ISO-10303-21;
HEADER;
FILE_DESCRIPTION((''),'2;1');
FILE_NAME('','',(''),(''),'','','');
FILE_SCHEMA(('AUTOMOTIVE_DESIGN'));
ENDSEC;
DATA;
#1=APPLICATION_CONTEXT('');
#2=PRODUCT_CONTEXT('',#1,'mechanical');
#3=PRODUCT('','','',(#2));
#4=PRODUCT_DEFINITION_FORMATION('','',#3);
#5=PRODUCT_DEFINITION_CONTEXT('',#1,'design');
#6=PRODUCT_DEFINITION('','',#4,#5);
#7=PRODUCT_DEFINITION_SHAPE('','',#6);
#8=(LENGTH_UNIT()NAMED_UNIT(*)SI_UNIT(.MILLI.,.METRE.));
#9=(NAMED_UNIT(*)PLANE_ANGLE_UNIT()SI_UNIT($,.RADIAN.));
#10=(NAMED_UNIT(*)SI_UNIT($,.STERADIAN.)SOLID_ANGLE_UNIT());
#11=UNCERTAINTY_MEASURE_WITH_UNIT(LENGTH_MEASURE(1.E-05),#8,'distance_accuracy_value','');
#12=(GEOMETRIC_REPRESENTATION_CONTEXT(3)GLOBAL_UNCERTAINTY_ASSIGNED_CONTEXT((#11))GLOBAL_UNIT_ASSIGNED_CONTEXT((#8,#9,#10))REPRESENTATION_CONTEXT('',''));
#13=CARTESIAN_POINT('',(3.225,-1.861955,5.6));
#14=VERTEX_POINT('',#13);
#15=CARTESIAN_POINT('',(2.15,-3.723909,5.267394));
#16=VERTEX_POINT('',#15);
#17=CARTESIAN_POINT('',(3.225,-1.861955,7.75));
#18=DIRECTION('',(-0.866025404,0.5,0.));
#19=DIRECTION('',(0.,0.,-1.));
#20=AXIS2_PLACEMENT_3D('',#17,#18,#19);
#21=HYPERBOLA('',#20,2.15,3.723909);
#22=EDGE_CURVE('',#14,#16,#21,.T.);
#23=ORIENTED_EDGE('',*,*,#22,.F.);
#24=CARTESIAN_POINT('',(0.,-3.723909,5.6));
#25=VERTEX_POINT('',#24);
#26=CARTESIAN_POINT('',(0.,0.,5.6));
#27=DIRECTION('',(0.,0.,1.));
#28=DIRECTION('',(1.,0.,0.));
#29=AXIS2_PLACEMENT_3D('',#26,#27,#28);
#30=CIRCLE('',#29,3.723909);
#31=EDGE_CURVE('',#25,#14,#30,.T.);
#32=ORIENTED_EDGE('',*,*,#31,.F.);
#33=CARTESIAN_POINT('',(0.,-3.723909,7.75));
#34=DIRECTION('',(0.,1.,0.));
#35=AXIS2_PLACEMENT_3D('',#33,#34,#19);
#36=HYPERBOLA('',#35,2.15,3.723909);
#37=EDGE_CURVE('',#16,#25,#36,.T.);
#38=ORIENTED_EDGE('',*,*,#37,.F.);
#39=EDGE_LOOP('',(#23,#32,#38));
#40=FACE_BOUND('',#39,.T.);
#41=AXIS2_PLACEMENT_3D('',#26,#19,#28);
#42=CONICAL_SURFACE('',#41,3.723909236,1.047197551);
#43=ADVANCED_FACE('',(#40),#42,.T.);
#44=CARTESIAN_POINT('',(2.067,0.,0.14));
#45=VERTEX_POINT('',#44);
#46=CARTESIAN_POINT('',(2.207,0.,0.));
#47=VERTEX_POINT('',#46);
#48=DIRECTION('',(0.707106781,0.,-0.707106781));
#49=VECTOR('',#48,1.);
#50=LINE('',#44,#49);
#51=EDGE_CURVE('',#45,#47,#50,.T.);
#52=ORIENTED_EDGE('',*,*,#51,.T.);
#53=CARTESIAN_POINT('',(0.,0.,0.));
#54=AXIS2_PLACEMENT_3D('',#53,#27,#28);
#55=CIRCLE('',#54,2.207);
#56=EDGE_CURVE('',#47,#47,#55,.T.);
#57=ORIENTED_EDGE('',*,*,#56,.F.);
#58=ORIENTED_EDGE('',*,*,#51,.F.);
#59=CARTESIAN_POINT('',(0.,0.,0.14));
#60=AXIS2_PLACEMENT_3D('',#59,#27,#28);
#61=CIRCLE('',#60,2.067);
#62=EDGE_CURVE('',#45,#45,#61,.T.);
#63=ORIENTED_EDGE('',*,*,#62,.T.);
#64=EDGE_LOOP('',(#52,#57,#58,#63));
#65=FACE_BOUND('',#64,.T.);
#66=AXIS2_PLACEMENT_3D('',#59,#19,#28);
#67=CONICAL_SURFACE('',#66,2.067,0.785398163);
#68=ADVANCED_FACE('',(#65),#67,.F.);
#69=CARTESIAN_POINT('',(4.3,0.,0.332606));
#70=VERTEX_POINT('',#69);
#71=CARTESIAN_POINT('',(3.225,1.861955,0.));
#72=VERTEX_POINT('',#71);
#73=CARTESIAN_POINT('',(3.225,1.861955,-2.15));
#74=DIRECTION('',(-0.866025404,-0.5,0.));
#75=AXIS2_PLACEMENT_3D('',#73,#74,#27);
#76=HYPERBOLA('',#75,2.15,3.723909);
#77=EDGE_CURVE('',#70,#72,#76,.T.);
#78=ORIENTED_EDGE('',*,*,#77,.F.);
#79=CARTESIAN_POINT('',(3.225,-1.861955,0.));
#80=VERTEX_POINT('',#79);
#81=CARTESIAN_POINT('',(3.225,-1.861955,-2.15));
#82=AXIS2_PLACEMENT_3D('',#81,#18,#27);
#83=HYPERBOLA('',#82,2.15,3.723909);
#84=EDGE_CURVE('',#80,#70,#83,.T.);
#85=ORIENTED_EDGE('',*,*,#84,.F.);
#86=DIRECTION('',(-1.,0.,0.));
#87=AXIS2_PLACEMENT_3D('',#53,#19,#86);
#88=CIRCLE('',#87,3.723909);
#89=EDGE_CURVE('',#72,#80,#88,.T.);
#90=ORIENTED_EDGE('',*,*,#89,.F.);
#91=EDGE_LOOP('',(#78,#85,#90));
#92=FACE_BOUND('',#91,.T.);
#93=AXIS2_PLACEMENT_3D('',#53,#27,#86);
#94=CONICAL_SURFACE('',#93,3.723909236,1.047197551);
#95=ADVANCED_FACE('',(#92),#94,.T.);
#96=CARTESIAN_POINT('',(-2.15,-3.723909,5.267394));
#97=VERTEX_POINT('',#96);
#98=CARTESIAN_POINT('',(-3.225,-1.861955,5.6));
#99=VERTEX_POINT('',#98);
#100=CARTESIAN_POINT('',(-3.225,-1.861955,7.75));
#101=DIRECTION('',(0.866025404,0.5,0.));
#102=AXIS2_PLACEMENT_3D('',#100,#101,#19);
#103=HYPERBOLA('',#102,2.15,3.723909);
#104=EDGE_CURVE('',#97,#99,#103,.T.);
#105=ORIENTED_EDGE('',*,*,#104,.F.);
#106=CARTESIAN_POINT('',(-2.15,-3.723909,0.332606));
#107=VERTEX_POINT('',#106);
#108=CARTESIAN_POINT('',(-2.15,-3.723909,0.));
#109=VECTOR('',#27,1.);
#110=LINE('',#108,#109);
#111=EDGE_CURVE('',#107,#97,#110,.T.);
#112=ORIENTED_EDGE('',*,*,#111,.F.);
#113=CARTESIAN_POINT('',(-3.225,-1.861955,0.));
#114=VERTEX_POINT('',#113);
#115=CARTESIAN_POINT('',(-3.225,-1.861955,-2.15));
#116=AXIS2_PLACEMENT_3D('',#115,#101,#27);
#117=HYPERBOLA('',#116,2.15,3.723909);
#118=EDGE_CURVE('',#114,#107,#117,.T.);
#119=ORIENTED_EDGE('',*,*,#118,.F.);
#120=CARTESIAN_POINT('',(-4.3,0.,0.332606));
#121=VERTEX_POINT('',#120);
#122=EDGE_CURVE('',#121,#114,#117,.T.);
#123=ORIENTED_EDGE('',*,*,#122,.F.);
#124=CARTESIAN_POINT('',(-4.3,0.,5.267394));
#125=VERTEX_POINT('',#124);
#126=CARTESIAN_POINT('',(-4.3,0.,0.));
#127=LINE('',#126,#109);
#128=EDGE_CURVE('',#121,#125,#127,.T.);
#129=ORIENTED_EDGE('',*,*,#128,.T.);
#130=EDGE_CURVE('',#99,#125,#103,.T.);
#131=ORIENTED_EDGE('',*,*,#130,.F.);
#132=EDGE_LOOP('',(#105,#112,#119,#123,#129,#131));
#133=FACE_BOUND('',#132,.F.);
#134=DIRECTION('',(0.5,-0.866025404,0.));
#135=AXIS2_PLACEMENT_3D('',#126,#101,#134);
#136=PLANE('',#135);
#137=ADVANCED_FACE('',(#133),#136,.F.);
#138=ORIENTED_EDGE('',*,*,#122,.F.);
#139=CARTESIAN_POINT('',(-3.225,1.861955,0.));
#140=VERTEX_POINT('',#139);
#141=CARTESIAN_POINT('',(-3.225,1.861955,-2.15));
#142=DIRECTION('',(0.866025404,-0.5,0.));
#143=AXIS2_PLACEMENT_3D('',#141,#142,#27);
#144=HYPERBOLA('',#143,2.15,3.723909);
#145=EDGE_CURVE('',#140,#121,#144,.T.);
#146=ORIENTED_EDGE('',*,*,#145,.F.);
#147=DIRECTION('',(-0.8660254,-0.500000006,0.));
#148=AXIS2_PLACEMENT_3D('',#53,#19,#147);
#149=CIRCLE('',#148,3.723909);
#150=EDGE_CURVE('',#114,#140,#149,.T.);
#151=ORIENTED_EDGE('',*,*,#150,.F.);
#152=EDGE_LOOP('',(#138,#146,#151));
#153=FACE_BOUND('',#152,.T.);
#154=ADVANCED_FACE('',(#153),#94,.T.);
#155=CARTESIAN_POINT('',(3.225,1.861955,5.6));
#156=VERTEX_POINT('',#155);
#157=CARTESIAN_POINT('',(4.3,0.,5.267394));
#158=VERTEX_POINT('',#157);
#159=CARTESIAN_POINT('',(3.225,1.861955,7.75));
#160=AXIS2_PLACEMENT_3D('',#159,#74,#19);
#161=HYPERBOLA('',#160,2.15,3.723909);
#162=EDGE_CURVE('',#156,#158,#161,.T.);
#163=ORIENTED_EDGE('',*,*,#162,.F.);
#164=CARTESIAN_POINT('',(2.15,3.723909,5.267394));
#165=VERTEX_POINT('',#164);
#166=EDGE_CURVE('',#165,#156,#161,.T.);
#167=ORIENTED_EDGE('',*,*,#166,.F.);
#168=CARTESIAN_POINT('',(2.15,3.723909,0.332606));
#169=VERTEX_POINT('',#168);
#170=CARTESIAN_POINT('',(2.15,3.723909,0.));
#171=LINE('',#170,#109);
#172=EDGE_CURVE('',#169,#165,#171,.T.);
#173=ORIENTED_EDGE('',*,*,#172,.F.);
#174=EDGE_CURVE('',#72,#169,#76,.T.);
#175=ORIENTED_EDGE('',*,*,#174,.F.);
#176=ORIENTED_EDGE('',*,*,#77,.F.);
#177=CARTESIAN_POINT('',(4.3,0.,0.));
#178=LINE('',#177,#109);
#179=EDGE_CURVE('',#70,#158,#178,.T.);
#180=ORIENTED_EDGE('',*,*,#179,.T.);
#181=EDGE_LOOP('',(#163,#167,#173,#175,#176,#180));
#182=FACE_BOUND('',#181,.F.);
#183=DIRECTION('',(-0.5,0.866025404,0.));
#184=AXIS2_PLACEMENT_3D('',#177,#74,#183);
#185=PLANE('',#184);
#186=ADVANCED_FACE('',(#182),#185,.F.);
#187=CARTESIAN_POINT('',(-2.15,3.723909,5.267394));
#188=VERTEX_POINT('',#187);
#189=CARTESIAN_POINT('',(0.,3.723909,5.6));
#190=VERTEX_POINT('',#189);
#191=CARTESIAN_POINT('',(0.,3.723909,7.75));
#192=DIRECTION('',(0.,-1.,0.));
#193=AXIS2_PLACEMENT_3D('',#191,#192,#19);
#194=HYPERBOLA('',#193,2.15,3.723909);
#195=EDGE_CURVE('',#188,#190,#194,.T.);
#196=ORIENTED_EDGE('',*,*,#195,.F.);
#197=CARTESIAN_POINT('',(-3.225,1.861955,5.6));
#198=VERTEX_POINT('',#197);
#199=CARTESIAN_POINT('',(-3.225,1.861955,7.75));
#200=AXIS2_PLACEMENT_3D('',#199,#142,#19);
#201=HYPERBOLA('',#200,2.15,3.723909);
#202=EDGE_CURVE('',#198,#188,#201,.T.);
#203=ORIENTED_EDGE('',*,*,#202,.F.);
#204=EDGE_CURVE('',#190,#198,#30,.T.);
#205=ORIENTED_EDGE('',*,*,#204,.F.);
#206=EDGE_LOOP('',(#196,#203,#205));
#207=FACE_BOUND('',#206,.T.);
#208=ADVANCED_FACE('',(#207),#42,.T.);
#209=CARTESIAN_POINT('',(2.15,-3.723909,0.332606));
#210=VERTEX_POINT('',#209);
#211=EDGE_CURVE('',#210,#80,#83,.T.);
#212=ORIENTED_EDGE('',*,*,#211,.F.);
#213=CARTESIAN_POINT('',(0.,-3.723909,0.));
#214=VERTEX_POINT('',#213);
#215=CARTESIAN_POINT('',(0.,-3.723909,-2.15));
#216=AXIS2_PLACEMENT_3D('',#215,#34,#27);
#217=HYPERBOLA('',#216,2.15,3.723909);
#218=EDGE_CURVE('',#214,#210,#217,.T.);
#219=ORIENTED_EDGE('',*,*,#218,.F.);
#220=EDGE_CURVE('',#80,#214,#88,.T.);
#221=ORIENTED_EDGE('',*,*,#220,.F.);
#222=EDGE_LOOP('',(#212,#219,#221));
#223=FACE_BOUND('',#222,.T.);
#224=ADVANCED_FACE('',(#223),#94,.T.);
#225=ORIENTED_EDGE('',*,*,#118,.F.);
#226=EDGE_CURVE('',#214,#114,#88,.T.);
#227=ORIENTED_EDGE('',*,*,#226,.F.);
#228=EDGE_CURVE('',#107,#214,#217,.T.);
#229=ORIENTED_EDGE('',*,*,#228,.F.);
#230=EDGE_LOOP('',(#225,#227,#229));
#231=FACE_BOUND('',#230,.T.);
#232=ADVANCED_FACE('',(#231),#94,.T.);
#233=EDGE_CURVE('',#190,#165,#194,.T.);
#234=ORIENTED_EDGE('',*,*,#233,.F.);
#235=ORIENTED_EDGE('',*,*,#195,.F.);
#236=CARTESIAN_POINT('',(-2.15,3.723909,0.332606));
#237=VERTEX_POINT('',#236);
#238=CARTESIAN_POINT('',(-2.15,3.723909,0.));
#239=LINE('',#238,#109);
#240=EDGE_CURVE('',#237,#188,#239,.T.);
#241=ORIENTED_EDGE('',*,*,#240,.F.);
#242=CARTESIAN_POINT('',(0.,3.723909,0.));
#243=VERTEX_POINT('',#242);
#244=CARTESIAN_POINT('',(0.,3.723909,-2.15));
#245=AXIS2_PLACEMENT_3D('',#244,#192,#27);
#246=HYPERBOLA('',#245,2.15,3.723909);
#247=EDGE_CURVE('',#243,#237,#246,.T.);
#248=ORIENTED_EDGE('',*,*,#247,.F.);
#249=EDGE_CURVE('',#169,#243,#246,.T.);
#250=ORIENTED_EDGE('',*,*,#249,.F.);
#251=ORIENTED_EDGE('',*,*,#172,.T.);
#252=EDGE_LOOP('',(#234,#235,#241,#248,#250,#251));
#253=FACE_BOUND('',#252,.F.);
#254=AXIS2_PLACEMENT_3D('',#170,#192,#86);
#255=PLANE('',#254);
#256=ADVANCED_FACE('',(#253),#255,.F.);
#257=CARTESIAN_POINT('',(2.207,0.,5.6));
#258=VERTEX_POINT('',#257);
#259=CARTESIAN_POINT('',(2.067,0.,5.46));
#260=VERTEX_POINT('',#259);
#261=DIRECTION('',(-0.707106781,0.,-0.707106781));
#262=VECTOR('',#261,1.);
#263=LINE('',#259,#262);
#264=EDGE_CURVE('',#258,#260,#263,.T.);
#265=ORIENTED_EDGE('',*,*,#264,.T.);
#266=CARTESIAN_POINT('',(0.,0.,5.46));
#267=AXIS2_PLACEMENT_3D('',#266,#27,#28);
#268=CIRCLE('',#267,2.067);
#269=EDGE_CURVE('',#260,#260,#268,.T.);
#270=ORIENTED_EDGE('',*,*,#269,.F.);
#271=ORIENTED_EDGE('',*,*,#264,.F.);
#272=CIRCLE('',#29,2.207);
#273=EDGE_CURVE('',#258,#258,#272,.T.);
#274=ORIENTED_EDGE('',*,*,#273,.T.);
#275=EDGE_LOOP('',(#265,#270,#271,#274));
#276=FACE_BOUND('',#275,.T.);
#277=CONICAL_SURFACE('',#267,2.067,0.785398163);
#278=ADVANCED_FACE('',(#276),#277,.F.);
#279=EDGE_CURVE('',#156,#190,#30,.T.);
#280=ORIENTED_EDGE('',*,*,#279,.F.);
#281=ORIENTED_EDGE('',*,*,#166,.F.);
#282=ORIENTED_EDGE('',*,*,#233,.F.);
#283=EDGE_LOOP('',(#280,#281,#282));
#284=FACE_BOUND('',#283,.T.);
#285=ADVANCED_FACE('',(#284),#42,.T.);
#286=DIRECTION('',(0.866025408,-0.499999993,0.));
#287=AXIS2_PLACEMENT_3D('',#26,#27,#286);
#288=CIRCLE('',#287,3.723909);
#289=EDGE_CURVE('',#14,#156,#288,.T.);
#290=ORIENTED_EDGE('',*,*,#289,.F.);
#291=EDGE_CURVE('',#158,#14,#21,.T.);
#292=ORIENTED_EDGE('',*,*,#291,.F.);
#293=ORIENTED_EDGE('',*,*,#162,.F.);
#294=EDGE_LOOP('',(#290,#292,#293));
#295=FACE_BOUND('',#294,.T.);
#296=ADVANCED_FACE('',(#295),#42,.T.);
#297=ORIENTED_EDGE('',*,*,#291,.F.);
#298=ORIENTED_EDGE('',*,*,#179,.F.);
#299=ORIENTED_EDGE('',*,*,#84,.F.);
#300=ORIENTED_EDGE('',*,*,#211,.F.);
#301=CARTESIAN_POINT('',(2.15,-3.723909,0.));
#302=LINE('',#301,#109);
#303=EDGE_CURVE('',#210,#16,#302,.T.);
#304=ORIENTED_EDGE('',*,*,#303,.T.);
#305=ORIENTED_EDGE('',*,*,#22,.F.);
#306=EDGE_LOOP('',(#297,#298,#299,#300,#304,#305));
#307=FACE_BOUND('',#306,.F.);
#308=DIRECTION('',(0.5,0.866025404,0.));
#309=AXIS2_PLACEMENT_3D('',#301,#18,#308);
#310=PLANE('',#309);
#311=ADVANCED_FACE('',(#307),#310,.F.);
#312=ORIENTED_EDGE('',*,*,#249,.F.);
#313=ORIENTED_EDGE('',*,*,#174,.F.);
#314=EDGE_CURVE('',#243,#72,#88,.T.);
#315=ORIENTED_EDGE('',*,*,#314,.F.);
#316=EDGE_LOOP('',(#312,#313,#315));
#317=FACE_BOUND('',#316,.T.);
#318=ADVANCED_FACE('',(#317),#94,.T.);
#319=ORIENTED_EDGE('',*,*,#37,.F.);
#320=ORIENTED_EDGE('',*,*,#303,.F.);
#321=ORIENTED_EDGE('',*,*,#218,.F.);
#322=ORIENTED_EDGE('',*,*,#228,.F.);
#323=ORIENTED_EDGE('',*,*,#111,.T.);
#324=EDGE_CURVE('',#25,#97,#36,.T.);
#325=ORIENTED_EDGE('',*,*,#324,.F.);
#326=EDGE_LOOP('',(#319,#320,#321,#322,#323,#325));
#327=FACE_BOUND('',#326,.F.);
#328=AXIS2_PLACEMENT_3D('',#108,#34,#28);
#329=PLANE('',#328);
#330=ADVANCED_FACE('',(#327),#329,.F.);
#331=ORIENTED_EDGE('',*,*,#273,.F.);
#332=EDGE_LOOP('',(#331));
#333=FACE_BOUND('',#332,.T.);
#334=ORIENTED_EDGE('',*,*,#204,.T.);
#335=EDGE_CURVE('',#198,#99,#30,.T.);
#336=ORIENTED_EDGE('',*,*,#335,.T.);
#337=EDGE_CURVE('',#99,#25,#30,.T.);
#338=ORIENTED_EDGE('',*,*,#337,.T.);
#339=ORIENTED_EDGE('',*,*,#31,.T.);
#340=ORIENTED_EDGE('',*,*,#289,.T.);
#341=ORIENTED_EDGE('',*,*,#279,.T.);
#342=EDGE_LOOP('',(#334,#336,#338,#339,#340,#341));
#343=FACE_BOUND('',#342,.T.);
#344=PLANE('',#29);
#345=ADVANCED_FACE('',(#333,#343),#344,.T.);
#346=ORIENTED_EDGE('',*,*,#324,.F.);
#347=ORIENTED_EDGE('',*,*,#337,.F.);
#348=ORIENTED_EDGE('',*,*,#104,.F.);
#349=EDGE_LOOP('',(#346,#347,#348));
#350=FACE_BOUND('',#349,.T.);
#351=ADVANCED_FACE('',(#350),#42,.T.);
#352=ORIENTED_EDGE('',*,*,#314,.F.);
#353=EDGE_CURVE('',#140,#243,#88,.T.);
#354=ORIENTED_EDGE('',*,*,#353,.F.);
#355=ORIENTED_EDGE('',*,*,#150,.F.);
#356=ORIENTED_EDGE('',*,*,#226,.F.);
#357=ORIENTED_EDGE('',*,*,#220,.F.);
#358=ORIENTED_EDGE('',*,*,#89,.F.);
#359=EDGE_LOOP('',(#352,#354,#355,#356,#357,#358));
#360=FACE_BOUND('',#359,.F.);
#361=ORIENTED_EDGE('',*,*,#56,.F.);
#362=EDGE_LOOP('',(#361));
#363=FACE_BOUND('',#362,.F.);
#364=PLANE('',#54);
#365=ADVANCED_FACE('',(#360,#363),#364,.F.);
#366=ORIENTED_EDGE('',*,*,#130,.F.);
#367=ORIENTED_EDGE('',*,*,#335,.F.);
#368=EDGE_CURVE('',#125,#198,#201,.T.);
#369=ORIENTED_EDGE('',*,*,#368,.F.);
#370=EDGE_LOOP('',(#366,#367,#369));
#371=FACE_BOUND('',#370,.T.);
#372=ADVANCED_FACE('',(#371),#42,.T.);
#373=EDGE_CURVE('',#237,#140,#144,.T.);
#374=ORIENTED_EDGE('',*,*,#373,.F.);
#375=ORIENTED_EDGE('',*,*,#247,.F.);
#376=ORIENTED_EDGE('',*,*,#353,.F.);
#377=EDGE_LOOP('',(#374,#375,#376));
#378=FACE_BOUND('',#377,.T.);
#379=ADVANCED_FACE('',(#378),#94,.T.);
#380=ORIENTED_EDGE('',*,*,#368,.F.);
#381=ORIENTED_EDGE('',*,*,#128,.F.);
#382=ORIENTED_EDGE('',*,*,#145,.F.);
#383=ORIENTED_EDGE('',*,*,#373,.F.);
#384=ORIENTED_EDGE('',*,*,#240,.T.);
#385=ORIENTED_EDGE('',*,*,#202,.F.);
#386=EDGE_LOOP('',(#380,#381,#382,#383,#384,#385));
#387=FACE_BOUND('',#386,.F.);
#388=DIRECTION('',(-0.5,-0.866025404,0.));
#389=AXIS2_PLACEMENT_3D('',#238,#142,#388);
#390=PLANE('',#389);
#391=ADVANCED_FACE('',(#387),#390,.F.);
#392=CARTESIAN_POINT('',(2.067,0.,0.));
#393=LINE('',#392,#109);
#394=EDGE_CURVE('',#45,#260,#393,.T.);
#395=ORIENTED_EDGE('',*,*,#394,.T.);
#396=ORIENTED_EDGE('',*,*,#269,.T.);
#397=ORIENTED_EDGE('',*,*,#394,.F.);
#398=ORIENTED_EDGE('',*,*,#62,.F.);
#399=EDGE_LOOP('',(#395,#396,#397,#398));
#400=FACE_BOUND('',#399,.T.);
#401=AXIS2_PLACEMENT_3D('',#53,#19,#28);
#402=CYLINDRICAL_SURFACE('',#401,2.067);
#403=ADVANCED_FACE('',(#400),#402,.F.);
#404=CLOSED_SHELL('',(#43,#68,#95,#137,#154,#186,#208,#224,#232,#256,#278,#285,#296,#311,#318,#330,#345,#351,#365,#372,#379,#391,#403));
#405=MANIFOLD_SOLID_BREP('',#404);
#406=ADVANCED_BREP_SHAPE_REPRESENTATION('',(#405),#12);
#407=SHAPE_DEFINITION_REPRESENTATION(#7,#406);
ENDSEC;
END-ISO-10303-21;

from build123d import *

# Parameters (mm, degrees)
SKETCH_1_R          = 2.067
EXTRUDE_466_DEPTH   = 5.6
SKETCH_2_OUTSIDE_W  = 44.252
SKETCH_2_OUTSIDE_H  = 43.1
SKETCH_2_OUTSIDE_R  = 3.723909236
CUT_EXTRUDE_1_DEPTH = 8.982324223
CUT_EXTRUDE_1_DRAFT = -60
SKETCH_3_OUTSIDE_W  = 44.252
SKETCH_3_OUTSIDE_H  = 43.1
SKETCH_3_OUTSIDE_R  = 3.723909236
CUT_EXTRUDE_2_DEPTH = 8.982324223
CUT_EXTRUDE_2_DRAFT = -60
CHAMFER_1_SIZE      = 0.14


with BuildPart() as part:
    # 草图1 → Extrude 466 (new body)
    with BuildSketch(Plane.XY):
        Polygon((2.15, 3.723909236), (-2.15, 3.723909236), (-4.3, 0), (-2.15, -3.723909236), (2.15, -3.723909236), (4.3, 0), align=None)
        Circle(SKETCH_1_R, mode=Mode.SUBTRACT)
    extrude(amount=EXTRUDE_466_DEPTH)


with BuildPart() as cut_extrude_1_tool:
    # 草图2 outside → 切除-拉伸1 (with draft: the straight prism first)
    with BuildSketch(Plane(origin=(0, 0, 0), x_dir=(-1, 0, 0), z_dir=(0, 0, -1))):
        Rectangle(SKETCH_2_OUTSIDE_W, SKETCH_2_OUTSIDE_H)
        Circle(SKETCH_2_OUTSIDE_R, mode=Mode.SUBTRACT)
    extrude(amount=-CUT_EXTRUDE_1_DEPTH)
    # 切除-拉伸1: the draft: its side faces are tilted about the plane it starts from
    cut_extrude_1_sides = [cut_extrude_1_tool.faces().sort_by_distance(p)[0] for p in [
        (0, -21.55, 4.491162111),
        (-22.126, 0, 4.491162111),
        (0, 21.55, 4.491162111),
        (22.126, 0, 4.491162111),
        (3.723909236, 0, 4.491162111),
    ]]
    draft(cut_extrude_1_sides, Plane(origin=(0, 0, 0), x_dir=(-1, 0, 0), z_dir=(0, 0, -1)), CUT_EXTRUDE_1_DRAFT)


with BuildPart() as part_1:
    add(part.part)

    # 切除-拉伸1: cut by cut_extrude_1_tool
    add(cut_extrude_1_tool.part, mode=Mode.SUBTRACT)


with BuildPart() as cut_extrude_2_tool:
    # 草图3 outside → 切除-拉伸2 (with draft: the straight prism first)
    with BuildSketch(Plane.XY.offset(5.6)):
        Rectangle(SKETCH_3_OUTSIDE_W, SKETCH_3_OUTSIDE_H)
        Circle(SKETCH_3_OUTSIDE_R, mode=Mode.SUBTRACT)
    extrude(amount=-CUT_EXTRUDE_2_DEPTH)
    # 切除-拉伸2: the draft: its side faces are tilted about the plane it starts from
    cut_extrude_2_sides = [cut_extrude_2_tool.faces().sort_by_distance(p)[0] for p in [
        (0, -21.55, 1.108837889),
        (22.126, 0, 1.108837889),
        (0, 21.55, 1.108837889),
        (-22.126, 0, 1.108837889),
        (-3.723909236, 0, 1.108837889),
    ]]
    draft(cut_extrude_2_sides, Plane.XY.offset(5.6), CUT_EXTRUDE_2_DRAFT)


with BuildPart() as part_2:
    add(part_1.part)

    # 切除-拉伸2: cut by cut_extrude_2_tool
    add(cut_extrude_2_tool.part, mode=Mode.SUBTRACT)

    # 倒角1
    chamfer_1_edges = [part_2.edges().sort_by_distance(p)[0] for p in [
        (-2.067, 0, 0),
        (-2.067, 0, 5.6),
    ]]
    chamfer(chamfer_1_edges, length=CHAMFER_1_SIZE)


solid = part_2.part
